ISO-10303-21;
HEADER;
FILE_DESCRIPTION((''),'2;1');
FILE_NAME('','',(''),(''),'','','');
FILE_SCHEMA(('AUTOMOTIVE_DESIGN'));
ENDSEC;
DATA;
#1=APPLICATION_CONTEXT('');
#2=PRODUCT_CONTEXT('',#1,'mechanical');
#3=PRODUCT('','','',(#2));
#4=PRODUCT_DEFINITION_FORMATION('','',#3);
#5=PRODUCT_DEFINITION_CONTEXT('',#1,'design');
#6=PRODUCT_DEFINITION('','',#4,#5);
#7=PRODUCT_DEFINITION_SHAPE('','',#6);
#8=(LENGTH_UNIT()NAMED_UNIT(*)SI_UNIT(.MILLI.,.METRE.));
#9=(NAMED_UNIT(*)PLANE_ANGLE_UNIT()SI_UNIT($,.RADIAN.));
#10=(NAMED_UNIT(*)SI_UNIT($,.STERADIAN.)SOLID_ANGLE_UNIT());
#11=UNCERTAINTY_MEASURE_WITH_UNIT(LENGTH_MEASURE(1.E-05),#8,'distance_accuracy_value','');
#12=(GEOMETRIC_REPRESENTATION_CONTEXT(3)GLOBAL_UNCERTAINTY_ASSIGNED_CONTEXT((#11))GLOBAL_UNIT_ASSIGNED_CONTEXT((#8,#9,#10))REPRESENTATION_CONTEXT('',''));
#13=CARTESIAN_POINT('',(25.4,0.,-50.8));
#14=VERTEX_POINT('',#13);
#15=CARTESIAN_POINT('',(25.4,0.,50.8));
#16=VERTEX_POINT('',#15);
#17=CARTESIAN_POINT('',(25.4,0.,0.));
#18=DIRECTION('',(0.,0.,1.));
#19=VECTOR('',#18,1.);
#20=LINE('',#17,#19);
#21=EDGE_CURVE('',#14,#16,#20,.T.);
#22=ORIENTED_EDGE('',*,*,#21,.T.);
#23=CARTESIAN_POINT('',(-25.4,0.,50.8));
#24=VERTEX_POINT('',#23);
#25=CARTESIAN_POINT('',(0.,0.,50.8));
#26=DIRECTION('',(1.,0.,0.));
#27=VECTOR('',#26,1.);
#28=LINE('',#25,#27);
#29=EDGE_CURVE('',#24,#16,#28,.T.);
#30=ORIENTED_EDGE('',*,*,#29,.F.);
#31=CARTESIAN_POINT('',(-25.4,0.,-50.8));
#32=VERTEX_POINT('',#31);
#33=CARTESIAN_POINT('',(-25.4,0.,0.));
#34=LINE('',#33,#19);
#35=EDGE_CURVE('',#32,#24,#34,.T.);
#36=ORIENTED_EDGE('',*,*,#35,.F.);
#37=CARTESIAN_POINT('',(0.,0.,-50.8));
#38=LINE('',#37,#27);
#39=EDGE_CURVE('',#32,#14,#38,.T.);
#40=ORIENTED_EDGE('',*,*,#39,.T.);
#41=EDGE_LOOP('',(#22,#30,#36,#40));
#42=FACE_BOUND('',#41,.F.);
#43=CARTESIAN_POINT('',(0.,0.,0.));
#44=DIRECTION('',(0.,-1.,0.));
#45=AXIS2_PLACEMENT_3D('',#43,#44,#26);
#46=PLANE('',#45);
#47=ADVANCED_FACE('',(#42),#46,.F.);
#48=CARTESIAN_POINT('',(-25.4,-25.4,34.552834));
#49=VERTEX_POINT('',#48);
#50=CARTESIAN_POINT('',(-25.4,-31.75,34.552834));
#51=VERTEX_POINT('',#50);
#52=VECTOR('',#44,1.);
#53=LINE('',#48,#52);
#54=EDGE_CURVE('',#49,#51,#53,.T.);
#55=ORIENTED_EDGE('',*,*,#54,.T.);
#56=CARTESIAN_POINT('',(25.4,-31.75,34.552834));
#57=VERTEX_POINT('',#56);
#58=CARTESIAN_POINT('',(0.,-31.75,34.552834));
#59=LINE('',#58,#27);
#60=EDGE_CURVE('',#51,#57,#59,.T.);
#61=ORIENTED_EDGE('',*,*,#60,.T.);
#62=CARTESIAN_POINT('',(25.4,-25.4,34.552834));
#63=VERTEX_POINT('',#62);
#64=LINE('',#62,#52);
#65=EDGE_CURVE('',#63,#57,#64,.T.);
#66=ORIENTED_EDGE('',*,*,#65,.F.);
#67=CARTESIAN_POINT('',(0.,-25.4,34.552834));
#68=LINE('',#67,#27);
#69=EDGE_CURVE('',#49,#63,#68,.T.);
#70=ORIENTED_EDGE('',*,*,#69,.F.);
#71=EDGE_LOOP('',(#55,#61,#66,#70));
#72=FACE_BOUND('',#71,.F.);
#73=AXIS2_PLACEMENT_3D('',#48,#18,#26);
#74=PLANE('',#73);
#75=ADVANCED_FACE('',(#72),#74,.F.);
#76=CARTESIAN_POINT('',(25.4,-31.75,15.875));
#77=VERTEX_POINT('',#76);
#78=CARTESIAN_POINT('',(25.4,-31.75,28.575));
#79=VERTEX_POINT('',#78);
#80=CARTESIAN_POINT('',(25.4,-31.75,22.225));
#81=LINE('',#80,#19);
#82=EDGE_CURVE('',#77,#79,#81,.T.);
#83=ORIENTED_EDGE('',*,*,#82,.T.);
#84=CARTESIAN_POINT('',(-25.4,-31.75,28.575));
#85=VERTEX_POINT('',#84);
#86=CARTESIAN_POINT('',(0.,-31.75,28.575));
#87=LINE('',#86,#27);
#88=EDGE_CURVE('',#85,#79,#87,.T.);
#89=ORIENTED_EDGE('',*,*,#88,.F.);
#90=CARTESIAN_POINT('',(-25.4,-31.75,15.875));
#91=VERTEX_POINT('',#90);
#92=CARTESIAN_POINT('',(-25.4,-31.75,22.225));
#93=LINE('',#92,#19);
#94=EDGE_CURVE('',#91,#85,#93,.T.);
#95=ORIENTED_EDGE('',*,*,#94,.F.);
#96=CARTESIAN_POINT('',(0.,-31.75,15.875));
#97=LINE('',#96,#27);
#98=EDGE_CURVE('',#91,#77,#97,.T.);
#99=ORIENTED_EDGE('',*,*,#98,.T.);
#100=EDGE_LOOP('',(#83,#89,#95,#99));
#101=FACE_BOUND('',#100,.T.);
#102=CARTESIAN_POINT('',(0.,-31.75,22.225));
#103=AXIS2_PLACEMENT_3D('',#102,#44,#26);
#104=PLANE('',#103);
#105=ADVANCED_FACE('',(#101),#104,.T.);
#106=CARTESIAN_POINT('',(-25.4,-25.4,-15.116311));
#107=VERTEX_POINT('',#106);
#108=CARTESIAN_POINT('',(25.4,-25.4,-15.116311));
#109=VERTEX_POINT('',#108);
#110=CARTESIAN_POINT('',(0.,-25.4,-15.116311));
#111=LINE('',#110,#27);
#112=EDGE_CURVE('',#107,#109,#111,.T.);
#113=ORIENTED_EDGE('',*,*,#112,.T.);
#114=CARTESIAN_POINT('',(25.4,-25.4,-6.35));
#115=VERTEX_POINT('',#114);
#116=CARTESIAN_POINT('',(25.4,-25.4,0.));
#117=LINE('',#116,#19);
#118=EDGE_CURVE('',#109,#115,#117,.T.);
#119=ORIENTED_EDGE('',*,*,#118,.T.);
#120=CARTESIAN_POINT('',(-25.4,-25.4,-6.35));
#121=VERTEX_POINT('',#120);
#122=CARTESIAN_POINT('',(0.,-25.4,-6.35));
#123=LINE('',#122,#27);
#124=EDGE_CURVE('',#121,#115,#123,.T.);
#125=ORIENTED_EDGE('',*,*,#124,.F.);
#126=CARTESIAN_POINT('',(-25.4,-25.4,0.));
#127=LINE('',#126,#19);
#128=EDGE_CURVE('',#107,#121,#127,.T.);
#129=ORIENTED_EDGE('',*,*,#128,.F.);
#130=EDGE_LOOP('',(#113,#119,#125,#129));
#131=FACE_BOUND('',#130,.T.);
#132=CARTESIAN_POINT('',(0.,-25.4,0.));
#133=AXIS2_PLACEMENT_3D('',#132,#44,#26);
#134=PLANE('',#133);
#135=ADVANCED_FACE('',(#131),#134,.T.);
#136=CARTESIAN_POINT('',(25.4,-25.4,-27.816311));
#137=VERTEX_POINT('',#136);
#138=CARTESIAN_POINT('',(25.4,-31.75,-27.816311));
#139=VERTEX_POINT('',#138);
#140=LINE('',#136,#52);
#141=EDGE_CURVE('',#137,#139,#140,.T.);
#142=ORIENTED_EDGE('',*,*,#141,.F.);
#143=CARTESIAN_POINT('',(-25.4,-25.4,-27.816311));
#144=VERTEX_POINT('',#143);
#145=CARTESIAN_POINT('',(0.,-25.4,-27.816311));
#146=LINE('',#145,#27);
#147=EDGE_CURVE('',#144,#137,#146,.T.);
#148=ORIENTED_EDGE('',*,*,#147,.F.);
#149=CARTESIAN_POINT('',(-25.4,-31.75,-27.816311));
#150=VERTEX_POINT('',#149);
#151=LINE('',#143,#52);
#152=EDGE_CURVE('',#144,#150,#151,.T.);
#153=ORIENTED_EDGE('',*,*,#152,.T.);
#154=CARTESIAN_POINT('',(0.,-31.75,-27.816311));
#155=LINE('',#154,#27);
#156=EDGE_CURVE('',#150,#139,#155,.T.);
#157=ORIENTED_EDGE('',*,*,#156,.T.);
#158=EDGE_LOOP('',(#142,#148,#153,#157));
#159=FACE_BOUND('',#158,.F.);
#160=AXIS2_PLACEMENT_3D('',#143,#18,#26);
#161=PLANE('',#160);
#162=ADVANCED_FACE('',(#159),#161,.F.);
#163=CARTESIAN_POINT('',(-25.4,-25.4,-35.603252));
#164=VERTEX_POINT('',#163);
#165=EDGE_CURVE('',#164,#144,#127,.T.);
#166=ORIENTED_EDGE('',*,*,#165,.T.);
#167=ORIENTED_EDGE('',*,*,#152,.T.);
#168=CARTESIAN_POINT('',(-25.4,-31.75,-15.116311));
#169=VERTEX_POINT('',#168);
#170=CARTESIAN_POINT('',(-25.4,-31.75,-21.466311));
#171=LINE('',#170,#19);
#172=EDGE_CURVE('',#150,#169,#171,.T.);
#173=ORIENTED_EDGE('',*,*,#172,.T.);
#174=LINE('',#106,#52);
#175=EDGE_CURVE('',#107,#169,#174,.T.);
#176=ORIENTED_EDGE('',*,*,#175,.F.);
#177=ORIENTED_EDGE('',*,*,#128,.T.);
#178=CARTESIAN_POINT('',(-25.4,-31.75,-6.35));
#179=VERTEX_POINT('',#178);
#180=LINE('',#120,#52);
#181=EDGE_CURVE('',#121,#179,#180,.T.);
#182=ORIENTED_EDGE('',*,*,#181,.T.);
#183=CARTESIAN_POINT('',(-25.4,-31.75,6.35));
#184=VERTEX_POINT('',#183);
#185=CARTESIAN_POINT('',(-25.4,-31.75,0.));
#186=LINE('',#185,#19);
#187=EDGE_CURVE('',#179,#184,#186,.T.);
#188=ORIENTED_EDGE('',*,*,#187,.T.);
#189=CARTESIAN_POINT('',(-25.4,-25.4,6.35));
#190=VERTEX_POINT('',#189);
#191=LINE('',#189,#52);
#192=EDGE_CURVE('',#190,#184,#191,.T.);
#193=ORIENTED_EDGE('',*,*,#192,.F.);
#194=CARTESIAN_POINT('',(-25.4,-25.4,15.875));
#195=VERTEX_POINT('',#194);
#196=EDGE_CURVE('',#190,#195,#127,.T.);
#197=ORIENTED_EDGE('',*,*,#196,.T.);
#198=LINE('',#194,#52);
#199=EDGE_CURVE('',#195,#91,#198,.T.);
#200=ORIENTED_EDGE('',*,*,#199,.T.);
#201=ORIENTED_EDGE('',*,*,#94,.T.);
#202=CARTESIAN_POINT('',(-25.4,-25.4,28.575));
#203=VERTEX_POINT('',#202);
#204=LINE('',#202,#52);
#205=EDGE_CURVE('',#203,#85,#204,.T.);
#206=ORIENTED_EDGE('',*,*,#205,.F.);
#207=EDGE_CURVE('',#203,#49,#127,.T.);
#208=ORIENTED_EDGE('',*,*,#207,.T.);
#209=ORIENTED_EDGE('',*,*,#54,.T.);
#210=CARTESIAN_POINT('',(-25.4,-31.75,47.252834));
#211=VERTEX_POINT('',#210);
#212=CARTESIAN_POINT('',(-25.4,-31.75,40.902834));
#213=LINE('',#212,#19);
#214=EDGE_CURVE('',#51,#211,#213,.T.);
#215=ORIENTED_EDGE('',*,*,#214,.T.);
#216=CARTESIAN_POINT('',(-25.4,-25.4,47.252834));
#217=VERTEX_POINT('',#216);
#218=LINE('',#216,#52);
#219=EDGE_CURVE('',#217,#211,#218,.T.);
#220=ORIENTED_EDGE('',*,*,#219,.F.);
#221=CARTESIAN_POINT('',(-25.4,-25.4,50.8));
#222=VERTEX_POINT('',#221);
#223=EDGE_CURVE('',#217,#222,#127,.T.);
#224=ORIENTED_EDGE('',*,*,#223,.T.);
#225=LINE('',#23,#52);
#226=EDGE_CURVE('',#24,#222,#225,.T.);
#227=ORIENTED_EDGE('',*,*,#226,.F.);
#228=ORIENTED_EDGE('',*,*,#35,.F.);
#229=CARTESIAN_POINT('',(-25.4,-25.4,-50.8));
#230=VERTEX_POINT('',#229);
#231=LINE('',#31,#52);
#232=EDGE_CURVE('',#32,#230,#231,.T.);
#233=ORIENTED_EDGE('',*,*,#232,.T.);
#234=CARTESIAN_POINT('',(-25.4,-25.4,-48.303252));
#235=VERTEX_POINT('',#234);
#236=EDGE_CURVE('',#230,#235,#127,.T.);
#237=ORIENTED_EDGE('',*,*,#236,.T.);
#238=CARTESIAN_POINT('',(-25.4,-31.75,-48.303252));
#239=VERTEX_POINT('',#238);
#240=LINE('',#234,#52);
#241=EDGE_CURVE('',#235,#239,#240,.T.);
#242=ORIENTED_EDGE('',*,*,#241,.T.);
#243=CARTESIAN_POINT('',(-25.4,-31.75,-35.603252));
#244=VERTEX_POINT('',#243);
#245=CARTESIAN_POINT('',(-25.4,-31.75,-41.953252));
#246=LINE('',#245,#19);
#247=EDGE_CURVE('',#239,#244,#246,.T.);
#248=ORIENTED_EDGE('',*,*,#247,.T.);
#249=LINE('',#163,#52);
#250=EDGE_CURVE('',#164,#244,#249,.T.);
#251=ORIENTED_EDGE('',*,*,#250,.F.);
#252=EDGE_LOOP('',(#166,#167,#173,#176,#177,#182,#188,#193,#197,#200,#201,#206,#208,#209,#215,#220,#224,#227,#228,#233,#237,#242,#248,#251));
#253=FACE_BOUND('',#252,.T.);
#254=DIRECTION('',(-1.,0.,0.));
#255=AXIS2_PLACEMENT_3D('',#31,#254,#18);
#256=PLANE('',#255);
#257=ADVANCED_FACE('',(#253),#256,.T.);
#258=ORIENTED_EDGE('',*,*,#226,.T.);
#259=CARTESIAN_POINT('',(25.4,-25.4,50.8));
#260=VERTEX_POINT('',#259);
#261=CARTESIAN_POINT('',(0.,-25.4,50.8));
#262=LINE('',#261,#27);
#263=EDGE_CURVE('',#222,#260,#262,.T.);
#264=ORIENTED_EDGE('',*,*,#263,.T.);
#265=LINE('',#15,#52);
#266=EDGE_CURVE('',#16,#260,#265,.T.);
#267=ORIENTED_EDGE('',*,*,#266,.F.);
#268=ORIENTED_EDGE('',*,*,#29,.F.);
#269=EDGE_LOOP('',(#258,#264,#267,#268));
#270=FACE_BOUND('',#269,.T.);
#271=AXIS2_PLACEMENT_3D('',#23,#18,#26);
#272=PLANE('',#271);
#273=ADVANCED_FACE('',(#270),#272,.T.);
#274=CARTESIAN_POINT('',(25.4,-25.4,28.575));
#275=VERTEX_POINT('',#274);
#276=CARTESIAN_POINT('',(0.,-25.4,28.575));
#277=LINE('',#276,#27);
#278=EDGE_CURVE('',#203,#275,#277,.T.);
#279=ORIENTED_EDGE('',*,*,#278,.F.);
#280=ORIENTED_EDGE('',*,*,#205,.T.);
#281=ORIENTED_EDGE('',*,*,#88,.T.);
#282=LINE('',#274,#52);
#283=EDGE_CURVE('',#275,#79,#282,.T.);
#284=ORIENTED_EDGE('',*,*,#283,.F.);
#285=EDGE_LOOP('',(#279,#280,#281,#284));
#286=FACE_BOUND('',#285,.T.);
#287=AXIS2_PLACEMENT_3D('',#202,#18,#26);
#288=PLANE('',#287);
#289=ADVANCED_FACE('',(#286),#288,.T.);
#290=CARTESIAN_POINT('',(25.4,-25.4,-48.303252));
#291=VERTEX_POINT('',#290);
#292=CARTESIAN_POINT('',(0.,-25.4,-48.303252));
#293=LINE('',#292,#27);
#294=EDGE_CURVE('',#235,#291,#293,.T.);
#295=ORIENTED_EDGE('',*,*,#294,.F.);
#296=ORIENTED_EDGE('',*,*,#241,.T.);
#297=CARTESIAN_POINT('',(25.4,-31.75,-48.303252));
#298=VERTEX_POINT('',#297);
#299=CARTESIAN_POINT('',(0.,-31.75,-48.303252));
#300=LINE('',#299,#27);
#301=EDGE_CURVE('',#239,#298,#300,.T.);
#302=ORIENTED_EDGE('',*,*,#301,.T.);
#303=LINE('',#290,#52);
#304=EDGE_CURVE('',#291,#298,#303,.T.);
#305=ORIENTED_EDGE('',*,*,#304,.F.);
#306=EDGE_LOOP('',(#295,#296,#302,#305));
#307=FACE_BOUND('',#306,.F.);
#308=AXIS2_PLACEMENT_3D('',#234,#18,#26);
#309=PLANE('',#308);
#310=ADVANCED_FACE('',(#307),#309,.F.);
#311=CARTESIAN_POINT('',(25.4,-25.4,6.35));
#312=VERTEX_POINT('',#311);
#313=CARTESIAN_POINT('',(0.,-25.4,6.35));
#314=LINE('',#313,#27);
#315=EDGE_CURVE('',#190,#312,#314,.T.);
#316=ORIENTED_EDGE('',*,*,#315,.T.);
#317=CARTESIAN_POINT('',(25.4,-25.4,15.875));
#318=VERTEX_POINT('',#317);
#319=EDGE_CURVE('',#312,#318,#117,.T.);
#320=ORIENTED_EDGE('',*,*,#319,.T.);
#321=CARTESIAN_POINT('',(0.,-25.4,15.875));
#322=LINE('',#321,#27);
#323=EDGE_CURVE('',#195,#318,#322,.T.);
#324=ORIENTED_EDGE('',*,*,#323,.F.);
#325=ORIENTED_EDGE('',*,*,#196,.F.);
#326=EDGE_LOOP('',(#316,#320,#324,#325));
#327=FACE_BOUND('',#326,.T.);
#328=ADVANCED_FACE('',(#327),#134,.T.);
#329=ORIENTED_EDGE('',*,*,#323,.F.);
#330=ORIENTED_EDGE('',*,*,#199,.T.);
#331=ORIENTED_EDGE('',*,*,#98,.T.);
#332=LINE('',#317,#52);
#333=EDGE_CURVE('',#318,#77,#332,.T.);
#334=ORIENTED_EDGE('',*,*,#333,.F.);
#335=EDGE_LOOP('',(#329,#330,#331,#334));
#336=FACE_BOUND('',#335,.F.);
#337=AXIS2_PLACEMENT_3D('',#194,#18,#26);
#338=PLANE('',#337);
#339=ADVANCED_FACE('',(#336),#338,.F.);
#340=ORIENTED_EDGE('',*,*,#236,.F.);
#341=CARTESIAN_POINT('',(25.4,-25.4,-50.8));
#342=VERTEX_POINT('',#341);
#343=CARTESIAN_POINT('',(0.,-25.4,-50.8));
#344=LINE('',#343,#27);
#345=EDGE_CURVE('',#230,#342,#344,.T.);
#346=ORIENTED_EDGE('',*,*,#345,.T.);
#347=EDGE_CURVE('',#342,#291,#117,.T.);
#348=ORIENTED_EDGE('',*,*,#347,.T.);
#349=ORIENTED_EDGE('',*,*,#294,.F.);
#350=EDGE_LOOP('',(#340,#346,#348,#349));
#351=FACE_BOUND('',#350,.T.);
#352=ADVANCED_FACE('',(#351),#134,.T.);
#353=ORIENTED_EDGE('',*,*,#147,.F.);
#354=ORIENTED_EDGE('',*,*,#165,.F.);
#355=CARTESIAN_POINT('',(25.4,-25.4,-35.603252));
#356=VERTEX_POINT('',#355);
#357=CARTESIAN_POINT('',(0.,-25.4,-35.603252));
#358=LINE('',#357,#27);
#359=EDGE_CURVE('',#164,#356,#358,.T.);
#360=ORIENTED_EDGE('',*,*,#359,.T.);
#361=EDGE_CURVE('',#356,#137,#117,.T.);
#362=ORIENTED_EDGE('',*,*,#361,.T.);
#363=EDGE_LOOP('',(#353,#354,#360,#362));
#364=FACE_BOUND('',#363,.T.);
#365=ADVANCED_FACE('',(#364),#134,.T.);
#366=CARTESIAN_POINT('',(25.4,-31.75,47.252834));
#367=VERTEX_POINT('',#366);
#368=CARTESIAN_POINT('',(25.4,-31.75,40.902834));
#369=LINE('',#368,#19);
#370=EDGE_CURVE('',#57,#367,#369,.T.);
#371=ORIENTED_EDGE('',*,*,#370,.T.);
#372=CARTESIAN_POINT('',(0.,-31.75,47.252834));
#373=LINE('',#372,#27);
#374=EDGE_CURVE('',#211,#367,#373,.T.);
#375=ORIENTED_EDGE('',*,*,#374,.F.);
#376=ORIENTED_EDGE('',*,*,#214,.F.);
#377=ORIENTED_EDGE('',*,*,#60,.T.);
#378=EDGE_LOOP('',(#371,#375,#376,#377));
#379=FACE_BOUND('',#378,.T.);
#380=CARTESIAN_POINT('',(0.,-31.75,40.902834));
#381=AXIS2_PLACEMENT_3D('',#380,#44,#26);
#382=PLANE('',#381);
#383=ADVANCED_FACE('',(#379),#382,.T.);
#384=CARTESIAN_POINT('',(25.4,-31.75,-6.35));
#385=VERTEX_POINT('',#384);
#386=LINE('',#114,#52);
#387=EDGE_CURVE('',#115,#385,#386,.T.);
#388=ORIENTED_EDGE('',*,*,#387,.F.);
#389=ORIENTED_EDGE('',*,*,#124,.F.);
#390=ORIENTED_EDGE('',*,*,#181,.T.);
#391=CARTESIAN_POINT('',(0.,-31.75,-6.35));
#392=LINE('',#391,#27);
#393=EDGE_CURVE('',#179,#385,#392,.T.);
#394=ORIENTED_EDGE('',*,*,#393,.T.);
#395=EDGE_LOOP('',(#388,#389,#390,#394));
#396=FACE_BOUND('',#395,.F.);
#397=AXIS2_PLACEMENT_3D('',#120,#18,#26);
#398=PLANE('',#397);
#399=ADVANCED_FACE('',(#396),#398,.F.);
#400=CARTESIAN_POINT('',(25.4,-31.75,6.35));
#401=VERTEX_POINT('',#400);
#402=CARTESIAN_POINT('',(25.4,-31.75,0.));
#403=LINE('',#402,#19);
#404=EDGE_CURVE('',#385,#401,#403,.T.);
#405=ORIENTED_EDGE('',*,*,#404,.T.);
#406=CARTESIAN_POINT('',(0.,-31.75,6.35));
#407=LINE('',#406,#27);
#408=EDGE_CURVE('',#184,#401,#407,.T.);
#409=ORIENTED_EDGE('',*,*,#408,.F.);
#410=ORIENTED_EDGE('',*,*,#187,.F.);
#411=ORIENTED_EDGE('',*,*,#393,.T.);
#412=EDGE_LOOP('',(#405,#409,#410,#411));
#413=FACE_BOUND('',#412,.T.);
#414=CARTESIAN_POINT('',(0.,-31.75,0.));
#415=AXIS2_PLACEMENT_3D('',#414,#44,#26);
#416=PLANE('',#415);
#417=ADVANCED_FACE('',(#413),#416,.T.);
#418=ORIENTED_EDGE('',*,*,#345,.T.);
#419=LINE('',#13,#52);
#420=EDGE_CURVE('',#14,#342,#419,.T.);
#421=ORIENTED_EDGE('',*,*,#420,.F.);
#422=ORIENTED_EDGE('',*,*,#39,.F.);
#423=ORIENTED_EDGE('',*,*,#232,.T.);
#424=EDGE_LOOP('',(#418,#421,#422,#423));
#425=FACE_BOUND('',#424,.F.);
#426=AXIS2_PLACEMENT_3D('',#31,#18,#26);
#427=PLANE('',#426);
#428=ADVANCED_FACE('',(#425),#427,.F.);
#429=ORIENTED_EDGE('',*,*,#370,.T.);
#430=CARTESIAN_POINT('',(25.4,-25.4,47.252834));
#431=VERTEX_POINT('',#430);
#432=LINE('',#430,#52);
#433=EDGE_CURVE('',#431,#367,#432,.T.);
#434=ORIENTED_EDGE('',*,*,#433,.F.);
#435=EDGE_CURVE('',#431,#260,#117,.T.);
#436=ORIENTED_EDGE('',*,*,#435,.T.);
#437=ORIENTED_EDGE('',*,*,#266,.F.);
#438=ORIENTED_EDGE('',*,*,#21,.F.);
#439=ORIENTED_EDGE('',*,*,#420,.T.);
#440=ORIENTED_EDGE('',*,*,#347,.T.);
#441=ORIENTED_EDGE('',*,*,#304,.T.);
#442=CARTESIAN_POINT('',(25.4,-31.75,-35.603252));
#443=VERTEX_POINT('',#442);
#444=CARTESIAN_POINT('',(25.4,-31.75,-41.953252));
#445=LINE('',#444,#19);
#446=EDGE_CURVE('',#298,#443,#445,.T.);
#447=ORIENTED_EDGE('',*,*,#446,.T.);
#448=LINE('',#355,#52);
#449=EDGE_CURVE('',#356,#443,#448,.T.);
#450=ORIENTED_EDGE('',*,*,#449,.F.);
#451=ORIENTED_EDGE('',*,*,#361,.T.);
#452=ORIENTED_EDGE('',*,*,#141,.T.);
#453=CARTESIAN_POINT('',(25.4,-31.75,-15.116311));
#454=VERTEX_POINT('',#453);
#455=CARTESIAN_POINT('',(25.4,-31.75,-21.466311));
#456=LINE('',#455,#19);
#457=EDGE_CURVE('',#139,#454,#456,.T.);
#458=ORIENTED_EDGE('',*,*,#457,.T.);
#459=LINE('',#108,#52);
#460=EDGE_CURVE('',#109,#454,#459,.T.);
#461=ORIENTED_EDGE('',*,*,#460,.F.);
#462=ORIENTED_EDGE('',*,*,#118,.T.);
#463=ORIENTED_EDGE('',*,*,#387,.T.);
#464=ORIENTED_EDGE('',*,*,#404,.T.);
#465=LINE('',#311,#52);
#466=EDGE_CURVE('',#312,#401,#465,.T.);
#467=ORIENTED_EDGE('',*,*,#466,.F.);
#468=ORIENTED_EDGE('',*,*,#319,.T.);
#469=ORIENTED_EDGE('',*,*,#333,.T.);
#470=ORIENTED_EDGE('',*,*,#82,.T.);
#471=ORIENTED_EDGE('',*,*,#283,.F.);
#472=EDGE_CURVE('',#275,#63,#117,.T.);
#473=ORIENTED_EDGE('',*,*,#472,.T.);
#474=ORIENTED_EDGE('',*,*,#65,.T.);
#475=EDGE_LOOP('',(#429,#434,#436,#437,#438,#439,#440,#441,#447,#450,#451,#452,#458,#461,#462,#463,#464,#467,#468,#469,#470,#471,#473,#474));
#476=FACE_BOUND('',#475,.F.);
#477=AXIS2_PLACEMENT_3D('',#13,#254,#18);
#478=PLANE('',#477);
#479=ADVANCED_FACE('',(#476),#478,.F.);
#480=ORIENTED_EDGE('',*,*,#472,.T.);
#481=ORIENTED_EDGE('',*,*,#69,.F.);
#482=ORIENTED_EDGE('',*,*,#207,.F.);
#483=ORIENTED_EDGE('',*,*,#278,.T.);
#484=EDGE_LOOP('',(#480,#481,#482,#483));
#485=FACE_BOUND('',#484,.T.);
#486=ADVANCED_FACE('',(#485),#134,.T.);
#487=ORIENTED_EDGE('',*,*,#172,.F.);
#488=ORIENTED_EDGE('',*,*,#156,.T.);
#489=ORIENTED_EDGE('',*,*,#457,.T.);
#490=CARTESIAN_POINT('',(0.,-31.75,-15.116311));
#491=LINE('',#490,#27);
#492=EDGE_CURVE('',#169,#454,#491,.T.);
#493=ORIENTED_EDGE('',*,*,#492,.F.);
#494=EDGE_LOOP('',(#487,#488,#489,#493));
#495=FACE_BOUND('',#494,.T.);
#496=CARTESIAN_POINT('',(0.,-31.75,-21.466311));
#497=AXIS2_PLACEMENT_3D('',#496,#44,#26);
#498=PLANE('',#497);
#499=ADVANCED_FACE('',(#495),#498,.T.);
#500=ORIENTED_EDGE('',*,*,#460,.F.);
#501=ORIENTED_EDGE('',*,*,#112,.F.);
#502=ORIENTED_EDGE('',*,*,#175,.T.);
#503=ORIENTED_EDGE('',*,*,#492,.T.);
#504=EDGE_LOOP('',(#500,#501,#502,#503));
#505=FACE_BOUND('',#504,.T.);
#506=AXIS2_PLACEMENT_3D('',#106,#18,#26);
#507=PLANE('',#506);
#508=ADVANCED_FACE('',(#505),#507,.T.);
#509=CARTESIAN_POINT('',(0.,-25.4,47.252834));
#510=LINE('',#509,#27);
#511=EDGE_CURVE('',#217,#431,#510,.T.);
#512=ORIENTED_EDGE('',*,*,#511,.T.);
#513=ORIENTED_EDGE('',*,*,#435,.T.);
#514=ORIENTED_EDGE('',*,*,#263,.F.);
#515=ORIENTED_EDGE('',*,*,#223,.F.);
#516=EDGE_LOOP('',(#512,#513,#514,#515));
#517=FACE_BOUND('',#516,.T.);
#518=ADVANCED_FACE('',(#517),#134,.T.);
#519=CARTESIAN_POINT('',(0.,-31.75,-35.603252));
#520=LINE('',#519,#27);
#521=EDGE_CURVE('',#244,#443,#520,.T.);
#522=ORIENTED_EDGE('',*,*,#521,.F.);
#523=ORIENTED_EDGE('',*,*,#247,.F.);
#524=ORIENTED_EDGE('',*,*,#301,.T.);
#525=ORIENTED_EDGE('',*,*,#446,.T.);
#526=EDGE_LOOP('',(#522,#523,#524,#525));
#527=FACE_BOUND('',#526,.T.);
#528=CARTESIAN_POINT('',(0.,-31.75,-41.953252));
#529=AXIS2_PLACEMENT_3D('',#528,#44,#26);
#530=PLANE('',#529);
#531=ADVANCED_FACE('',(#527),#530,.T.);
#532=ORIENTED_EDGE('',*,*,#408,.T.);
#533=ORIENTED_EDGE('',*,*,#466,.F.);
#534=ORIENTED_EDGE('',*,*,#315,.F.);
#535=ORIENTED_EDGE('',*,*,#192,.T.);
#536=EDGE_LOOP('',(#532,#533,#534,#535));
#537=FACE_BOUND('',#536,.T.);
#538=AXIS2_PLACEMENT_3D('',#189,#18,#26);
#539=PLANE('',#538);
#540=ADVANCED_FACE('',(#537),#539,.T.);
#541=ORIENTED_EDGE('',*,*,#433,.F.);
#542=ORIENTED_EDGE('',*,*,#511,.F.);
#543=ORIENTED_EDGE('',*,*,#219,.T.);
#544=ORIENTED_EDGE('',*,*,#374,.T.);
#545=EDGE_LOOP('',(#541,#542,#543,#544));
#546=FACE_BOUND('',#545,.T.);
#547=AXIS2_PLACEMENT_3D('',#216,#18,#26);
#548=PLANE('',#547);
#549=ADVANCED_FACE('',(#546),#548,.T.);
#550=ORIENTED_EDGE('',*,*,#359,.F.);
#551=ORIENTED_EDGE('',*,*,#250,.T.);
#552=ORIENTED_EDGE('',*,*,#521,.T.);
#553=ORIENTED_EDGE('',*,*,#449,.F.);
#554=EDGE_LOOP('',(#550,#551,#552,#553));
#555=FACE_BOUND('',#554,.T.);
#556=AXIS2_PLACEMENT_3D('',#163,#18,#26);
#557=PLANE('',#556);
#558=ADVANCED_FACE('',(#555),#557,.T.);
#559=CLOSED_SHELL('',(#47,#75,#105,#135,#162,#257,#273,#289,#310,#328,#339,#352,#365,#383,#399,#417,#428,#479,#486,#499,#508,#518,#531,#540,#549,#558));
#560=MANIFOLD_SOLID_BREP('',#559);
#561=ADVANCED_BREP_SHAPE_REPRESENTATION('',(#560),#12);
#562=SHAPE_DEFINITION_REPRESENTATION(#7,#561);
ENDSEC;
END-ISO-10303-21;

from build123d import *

# Parameters (mm, degrees)
F0_W     = 50.8
F0_H     = 101.6
F1_DEPTH = 25.4
F2_W     = 50.8
F2_H     = 12.7
F3_DEPTH = 6.35
F4_W     = 50.8
F4_H     = 12.7
F5_DEPTH = 6.35


with BuildPart() as f1:
    # F0 (on Front) → F1 (new body)
    with BuildSketch(Plane.XZ):
        Rectangle(F0_W, F0_H)
    extrude(amount=F1_DEPTH)

    # F2 (on face) → F3 (join)
    with BuildSketch(Plane.XZ.offset(25.4)):
        Rectangle(F2_W, F2_H)
    extrude(amount=F3_DEPTH)

    # F4 (on face) → F5 (join)
    with BuildSketch(Plane.XZ.offset(25.4)):
        with Locations((0, 22.225)):
            Rectangle(F4_W, F4_H)
        with Locations((0, 40.902834)):
            Rectangle(F4_W, F4_H)
        with Locations((0, -21.466311)):
            Rectangle(F4_W, F4_H)
        with Locations((0, -41.953252)):
            Rectangle(F4_W, F4_H)
    extrude(amount=F5_DEPTH)


solid = f1.part
